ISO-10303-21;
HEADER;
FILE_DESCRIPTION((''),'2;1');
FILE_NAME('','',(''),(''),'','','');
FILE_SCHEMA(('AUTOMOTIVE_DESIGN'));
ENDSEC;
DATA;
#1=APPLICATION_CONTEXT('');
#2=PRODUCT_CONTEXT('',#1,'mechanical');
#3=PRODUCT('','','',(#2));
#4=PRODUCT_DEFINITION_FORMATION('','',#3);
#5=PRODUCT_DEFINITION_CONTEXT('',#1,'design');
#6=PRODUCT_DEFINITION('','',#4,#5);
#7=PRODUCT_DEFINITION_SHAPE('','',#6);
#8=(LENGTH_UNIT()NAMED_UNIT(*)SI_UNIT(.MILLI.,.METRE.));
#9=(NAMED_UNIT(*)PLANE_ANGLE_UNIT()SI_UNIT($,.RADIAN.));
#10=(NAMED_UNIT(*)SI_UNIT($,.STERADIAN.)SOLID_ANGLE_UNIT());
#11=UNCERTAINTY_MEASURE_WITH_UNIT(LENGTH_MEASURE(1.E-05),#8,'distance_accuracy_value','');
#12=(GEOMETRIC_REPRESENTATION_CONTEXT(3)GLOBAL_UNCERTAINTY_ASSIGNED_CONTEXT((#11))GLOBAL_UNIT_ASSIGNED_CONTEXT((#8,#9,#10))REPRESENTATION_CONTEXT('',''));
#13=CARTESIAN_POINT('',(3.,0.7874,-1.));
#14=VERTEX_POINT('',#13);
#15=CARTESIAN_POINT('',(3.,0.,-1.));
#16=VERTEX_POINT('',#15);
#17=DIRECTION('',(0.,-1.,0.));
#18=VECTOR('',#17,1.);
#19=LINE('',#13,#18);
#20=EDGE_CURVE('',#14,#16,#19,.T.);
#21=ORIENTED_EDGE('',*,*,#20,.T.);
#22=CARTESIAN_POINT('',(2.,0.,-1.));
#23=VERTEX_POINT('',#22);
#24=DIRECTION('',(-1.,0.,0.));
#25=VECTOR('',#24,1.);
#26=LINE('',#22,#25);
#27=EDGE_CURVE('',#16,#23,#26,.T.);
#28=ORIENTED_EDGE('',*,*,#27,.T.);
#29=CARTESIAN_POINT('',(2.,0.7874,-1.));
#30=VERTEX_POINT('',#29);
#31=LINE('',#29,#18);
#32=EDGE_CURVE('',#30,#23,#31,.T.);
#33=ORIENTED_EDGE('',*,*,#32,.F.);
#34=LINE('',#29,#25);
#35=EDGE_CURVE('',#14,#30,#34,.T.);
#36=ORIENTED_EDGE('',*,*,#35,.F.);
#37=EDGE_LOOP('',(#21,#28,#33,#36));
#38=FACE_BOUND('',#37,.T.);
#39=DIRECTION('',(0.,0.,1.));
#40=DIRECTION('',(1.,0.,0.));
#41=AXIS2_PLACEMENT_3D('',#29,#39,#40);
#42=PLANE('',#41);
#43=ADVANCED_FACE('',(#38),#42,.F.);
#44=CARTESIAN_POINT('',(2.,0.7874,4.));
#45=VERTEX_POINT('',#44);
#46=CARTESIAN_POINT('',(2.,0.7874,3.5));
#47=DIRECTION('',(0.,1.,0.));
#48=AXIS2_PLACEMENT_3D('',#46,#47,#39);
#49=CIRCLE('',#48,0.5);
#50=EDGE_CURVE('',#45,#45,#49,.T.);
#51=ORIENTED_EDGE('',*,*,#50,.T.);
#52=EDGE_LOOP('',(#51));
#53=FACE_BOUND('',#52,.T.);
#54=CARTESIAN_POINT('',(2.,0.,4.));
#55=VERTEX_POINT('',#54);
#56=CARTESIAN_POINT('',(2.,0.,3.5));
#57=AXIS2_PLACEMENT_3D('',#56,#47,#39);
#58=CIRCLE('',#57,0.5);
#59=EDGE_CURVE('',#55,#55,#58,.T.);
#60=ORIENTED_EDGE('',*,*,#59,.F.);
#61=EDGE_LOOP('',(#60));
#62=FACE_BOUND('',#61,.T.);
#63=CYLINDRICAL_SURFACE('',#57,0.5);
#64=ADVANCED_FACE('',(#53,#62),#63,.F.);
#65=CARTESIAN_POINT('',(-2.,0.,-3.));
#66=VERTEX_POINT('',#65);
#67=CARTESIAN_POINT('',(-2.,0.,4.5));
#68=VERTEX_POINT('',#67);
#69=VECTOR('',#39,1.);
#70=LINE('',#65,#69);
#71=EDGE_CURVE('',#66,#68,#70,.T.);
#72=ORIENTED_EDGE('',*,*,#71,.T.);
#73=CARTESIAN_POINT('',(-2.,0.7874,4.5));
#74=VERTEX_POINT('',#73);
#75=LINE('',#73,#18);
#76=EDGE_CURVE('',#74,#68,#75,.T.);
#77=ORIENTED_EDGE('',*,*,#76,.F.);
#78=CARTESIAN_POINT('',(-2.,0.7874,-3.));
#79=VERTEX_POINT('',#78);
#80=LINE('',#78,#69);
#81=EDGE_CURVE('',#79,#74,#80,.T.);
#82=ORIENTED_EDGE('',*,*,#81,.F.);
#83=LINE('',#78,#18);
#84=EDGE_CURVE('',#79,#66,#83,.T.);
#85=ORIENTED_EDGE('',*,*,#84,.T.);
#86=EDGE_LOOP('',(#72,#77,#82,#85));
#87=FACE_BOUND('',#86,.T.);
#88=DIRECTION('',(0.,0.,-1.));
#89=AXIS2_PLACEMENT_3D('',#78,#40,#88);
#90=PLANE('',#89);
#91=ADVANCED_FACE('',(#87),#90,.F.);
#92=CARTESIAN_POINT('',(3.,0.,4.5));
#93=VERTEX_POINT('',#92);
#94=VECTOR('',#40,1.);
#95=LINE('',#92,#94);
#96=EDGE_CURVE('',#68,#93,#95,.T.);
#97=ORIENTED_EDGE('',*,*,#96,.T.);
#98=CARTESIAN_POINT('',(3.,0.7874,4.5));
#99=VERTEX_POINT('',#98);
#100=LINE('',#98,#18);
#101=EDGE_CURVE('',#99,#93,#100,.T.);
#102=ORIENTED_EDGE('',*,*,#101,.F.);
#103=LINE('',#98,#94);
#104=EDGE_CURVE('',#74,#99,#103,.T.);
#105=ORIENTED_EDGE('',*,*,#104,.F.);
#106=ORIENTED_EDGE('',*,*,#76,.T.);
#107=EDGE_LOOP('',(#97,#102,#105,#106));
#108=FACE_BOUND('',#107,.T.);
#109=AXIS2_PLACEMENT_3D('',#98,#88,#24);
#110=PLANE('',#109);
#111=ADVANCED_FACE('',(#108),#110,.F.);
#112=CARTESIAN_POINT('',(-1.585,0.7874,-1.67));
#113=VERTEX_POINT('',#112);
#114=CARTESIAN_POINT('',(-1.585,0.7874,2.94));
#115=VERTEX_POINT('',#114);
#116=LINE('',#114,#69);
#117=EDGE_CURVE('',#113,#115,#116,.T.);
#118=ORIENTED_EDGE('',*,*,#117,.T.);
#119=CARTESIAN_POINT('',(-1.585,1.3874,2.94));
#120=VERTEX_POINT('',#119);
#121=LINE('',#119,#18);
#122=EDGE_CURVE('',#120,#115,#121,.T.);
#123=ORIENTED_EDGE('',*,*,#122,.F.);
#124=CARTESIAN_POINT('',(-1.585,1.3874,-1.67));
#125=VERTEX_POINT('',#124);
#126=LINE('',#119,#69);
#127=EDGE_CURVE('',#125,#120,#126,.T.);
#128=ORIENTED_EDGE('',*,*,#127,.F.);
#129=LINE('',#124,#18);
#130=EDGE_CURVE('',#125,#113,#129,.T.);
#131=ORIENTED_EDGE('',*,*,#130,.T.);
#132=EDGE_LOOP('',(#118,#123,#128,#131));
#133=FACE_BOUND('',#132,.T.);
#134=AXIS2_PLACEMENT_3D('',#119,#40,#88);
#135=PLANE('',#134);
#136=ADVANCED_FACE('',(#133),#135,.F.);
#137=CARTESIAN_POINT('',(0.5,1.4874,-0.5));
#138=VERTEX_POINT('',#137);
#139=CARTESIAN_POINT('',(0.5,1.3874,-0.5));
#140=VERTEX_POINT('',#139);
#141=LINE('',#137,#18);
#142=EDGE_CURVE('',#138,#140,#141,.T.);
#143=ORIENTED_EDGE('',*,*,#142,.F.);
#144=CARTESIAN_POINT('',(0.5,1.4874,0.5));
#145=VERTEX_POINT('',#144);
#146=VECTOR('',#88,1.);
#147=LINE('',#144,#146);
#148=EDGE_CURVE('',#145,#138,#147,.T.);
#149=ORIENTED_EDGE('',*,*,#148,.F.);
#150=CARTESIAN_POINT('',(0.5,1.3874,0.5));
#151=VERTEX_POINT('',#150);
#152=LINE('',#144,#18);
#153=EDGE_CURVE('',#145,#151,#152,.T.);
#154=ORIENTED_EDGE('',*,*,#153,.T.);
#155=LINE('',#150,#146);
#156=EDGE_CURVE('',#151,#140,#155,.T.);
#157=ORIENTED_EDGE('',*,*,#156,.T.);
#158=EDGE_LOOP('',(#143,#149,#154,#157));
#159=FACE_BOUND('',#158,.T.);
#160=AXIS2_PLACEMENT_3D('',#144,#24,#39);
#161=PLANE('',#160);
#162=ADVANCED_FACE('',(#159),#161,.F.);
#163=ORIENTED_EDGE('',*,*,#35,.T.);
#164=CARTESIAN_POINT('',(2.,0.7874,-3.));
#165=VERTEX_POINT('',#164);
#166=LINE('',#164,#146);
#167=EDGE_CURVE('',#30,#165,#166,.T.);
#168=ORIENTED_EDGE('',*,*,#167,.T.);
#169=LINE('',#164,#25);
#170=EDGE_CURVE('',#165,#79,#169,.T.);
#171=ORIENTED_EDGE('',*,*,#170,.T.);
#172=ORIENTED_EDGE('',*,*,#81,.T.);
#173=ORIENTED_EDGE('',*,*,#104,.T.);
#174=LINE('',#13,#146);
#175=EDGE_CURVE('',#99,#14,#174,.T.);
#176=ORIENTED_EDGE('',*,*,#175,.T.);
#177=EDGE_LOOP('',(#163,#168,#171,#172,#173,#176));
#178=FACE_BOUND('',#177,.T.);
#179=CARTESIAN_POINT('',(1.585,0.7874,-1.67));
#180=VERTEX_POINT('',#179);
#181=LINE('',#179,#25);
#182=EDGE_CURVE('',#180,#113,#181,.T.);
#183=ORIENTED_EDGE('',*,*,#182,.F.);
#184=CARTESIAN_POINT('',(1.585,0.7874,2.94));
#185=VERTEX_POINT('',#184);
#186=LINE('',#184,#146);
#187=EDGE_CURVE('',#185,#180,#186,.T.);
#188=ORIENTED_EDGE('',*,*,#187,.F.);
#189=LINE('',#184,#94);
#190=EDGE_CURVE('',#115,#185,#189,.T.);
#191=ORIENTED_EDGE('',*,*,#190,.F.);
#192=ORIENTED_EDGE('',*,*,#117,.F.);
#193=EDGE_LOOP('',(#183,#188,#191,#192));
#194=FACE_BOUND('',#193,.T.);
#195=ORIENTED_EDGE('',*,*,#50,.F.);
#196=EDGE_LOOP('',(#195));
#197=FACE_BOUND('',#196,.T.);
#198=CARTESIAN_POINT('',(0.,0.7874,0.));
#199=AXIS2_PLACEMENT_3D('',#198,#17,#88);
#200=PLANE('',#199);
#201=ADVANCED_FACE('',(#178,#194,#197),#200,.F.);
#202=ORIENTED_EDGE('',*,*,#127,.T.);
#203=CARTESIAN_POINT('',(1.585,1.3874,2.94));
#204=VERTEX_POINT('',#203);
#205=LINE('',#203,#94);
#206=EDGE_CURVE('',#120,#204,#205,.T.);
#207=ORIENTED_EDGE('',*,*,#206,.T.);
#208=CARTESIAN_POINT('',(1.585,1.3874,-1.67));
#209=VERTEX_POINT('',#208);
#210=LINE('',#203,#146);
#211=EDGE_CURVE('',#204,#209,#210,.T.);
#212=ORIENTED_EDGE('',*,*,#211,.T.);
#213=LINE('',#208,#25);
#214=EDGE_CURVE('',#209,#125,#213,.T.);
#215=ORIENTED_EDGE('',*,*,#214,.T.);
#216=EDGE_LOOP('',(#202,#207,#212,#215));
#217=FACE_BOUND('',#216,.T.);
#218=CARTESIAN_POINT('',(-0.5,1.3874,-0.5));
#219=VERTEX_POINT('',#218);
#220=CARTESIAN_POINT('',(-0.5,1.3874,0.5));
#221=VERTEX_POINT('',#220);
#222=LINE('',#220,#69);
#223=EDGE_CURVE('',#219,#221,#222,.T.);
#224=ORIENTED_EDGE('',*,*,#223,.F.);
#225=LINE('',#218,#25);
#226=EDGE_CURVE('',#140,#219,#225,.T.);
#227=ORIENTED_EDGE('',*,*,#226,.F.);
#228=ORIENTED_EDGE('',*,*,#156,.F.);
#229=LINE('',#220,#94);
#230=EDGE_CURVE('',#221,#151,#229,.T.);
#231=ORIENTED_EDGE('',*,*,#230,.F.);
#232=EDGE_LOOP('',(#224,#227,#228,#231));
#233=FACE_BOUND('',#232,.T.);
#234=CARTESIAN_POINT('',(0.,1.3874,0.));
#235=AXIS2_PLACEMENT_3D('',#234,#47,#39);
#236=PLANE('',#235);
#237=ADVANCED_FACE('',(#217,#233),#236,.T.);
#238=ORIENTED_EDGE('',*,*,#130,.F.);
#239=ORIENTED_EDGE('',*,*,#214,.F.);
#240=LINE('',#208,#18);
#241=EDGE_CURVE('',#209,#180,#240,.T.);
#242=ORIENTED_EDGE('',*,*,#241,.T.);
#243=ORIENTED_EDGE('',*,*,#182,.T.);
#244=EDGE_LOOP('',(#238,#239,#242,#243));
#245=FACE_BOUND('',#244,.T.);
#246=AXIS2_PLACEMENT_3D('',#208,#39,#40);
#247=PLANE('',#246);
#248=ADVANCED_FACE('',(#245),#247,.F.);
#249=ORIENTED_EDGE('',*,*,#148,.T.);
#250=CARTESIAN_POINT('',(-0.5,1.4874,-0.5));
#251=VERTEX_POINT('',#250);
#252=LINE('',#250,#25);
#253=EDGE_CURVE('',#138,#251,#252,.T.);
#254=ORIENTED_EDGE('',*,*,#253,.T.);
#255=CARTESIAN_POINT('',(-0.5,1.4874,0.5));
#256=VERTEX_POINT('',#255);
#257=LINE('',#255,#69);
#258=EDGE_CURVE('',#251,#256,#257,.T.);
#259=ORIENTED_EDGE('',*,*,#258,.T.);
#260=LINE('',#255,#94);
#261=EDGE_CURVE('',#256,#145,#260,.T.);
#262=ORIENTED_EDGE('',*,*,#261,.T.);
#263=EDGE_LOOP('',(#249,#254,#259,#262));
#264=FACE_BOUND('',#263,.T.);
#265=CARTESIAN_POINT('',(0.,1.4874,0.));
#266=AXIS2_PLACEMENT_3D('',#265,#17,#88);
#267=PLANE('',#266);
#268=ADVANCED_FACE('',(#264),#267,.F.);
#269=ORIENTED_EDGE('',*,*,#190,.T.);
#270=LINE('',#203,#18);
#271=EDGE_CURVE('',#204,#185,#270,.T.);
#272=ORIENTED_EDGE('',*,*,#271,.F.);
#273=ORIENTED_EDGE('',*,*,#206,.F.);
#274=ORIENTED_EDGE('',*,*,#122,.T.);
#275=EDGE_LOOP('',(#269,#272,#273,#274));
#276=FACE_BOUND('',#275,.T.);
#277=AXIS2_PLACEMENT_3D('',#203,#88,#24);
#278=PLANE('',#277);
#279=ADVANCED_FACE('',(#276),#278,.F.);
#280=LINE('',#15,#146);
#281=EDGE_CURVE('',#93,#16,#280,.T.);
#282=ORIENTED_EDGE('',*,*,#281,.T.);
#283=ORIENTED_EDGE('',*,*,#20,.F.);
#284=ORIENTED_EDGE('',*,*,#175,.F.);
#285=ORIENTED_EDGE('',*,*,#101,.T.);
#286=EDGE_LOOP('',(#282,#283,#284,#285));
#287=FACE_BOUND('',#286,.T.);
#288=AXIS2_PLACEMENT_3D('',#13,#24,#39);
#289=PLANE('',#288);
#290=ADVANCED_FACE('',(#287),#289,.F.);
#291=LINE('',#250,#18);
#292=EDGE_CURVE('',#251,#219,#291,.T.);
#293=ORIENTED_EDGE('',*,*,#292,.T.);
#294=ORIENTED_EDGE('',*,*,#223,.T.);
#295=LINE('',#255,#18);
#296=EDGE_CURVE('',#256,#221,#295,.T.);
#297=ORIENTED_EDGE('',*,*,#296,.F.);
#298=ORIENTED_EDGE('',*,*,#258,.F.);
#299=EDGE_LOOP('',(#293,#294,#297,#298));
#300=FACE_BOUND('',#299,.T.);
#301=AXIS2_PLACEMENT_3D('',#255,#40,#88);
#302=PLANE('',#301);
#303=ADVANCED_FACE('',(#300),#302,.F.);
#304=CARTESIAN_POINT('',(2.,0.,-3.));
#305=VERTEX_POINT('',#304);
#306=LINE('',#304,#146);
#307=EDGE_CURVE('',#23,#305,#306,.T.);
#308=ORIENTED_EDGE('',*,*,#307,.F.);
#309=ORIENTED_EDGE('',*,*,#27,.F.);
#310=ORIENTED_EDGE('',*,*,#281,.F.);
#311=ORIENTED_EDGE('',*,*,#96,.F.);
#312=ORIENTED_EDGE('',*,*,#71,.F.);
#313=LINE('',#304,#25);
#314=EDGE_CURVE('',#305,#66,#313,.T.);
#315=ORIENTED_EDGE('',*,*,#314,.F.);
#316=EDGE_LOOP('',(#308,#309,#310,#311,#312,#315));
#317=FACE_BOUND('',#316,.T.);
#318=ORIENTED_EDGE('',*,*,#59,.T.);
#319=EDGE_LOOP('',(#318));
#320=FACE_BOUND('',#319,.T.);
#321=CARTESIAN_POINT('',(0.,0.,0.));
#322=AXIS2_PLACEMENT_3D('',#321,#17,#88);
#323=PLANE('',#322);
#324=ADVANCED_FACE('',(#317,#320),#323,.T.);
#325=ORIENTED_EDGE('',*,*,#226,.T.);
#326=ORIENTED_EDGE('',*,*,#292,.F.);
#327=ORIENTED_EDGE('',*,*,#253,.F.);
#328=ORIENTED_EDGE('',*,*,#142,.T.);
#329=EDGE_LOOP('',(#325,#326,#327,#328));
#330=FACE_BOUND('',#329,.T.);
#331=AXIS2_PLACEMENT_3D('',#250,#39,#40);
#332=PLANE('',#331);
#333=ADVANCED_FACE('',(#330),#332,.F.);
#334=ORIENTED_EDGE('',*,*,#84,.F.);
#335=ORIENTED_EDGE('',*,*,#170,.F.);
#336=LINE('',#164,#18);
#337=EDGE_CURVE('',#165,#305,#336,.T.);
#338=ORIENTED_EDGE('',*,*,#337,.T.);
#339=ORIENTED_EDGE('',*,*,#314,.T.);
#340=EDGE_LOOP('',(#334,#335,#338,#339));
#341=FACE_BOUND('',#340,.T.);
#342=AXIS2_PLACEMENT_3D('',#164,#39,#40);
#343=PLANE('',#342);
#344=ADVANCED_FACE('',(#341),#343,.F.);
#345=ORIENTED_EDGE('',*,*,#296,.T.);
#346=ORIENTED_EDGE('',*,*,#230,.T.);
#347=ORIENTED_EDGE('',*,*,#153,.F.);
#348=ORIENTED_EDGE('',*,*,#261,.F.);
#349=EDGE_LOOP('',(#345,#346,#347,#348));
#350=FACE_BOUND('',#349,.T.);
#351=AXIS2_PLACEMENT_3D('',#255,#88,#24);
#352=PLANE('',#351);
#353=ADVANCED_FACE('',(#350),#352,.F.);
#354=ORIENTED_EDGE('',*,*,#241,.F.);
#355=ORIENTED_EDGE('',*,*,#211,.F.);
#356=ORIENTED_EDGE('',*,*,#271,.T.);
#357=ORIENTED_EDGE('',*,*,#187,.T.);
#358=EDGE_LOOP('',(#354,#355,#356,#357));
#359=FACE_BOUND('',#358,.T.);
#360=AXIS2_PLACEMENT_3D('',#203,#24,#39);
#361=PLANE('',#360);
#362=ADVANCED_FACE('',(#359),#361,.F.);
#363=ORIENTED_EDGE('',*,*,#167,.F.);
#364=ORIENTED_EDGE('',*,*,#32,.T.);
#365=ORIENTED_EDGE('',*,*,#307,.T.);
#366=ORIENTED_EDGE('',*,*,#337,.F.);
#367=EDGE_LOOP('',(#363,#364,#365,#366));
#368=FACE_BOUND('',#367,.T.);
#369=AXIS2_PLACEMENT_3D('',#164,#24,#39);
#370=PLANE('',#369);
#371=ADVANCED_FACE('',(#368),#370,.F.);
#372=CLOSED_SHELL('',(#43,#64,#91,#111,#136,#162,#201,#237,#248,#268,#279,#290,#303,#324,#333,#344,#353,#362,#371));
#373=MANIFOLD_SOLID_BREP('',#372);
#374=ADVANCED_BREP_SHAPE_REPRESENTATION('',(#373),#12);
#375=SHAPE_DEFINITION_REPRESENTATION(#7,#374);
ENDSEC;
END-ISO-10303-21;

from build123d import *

# Parameters (mm, degrees)
BOSS_EXTRUDE1_DEPTH = 0.7874
SKETCH4_W           = 3.17
SKETCH4_H           = 4.61
BOSS_EXTRUDE3_DEPTH = 0.6
SKETCH2_W           = 1
SKETCH2_H           = 1
BOSS_EXTRUDE2_DEPTH = 0.1
SKETCH5_R           = 0.5
CUT_EXTRUDE1_DEPTH  = 1.7874


with BuildPart() as part:
    # Sketch1 → Boss-Extrude1 (new body)
    with BuildSketch(Plane(origin=(0, 0, 0), x_dir=(1, 0, 0), z_dir=(0, 1, 0))):
        Polygon((2, 3), (2, 1), (3, 1), (3, -4.5), (-2, -4.5), (-2, 3), align=None)
    extrude(amount=BOSS_EXTRUDE1_DEPTH)

    # Sketch4 → Boss-Extrude3 (add)
    with BuildSketch(Plane(origin=(0, 0.7874, 0), x_dir=(1, 0, 0), z_dir=(0, 1, 0))):
        with Locations((0, -0.635)):
            Rectangle(SKETCH4_W, SKETCH4_H)
    extrude(amount=BOSS_EXTRUDE3_DEPTH)

    # Sketch2 → Boss-Extrude2 (add)
    with BuildSketch(Plane(origin=(0, 1.3874, 0), x_dir=(1, 0, 0), z_dir=(0, 1, 0))):
        Rectangle(SKETCH2_W, SKETCH2_H)
    extrude(amount=BOSS_EXTRUDE2_DEPTH)

    # Sketch5 → Cut-Extrude1 (cut, through all)
    with BuildSketch(Plane(origin=(0, 0.7874, 0), x_dir=(1, 0, 0), z_dir=(0, 1, 0))):
        with Locations((2, -3.5)):
            Circle(SKETCH5_R)
    extrude(amount=-CUT_EXTRUDE1_DEPTH, mode=Mode.SUBTRACT)


solid = part.part
